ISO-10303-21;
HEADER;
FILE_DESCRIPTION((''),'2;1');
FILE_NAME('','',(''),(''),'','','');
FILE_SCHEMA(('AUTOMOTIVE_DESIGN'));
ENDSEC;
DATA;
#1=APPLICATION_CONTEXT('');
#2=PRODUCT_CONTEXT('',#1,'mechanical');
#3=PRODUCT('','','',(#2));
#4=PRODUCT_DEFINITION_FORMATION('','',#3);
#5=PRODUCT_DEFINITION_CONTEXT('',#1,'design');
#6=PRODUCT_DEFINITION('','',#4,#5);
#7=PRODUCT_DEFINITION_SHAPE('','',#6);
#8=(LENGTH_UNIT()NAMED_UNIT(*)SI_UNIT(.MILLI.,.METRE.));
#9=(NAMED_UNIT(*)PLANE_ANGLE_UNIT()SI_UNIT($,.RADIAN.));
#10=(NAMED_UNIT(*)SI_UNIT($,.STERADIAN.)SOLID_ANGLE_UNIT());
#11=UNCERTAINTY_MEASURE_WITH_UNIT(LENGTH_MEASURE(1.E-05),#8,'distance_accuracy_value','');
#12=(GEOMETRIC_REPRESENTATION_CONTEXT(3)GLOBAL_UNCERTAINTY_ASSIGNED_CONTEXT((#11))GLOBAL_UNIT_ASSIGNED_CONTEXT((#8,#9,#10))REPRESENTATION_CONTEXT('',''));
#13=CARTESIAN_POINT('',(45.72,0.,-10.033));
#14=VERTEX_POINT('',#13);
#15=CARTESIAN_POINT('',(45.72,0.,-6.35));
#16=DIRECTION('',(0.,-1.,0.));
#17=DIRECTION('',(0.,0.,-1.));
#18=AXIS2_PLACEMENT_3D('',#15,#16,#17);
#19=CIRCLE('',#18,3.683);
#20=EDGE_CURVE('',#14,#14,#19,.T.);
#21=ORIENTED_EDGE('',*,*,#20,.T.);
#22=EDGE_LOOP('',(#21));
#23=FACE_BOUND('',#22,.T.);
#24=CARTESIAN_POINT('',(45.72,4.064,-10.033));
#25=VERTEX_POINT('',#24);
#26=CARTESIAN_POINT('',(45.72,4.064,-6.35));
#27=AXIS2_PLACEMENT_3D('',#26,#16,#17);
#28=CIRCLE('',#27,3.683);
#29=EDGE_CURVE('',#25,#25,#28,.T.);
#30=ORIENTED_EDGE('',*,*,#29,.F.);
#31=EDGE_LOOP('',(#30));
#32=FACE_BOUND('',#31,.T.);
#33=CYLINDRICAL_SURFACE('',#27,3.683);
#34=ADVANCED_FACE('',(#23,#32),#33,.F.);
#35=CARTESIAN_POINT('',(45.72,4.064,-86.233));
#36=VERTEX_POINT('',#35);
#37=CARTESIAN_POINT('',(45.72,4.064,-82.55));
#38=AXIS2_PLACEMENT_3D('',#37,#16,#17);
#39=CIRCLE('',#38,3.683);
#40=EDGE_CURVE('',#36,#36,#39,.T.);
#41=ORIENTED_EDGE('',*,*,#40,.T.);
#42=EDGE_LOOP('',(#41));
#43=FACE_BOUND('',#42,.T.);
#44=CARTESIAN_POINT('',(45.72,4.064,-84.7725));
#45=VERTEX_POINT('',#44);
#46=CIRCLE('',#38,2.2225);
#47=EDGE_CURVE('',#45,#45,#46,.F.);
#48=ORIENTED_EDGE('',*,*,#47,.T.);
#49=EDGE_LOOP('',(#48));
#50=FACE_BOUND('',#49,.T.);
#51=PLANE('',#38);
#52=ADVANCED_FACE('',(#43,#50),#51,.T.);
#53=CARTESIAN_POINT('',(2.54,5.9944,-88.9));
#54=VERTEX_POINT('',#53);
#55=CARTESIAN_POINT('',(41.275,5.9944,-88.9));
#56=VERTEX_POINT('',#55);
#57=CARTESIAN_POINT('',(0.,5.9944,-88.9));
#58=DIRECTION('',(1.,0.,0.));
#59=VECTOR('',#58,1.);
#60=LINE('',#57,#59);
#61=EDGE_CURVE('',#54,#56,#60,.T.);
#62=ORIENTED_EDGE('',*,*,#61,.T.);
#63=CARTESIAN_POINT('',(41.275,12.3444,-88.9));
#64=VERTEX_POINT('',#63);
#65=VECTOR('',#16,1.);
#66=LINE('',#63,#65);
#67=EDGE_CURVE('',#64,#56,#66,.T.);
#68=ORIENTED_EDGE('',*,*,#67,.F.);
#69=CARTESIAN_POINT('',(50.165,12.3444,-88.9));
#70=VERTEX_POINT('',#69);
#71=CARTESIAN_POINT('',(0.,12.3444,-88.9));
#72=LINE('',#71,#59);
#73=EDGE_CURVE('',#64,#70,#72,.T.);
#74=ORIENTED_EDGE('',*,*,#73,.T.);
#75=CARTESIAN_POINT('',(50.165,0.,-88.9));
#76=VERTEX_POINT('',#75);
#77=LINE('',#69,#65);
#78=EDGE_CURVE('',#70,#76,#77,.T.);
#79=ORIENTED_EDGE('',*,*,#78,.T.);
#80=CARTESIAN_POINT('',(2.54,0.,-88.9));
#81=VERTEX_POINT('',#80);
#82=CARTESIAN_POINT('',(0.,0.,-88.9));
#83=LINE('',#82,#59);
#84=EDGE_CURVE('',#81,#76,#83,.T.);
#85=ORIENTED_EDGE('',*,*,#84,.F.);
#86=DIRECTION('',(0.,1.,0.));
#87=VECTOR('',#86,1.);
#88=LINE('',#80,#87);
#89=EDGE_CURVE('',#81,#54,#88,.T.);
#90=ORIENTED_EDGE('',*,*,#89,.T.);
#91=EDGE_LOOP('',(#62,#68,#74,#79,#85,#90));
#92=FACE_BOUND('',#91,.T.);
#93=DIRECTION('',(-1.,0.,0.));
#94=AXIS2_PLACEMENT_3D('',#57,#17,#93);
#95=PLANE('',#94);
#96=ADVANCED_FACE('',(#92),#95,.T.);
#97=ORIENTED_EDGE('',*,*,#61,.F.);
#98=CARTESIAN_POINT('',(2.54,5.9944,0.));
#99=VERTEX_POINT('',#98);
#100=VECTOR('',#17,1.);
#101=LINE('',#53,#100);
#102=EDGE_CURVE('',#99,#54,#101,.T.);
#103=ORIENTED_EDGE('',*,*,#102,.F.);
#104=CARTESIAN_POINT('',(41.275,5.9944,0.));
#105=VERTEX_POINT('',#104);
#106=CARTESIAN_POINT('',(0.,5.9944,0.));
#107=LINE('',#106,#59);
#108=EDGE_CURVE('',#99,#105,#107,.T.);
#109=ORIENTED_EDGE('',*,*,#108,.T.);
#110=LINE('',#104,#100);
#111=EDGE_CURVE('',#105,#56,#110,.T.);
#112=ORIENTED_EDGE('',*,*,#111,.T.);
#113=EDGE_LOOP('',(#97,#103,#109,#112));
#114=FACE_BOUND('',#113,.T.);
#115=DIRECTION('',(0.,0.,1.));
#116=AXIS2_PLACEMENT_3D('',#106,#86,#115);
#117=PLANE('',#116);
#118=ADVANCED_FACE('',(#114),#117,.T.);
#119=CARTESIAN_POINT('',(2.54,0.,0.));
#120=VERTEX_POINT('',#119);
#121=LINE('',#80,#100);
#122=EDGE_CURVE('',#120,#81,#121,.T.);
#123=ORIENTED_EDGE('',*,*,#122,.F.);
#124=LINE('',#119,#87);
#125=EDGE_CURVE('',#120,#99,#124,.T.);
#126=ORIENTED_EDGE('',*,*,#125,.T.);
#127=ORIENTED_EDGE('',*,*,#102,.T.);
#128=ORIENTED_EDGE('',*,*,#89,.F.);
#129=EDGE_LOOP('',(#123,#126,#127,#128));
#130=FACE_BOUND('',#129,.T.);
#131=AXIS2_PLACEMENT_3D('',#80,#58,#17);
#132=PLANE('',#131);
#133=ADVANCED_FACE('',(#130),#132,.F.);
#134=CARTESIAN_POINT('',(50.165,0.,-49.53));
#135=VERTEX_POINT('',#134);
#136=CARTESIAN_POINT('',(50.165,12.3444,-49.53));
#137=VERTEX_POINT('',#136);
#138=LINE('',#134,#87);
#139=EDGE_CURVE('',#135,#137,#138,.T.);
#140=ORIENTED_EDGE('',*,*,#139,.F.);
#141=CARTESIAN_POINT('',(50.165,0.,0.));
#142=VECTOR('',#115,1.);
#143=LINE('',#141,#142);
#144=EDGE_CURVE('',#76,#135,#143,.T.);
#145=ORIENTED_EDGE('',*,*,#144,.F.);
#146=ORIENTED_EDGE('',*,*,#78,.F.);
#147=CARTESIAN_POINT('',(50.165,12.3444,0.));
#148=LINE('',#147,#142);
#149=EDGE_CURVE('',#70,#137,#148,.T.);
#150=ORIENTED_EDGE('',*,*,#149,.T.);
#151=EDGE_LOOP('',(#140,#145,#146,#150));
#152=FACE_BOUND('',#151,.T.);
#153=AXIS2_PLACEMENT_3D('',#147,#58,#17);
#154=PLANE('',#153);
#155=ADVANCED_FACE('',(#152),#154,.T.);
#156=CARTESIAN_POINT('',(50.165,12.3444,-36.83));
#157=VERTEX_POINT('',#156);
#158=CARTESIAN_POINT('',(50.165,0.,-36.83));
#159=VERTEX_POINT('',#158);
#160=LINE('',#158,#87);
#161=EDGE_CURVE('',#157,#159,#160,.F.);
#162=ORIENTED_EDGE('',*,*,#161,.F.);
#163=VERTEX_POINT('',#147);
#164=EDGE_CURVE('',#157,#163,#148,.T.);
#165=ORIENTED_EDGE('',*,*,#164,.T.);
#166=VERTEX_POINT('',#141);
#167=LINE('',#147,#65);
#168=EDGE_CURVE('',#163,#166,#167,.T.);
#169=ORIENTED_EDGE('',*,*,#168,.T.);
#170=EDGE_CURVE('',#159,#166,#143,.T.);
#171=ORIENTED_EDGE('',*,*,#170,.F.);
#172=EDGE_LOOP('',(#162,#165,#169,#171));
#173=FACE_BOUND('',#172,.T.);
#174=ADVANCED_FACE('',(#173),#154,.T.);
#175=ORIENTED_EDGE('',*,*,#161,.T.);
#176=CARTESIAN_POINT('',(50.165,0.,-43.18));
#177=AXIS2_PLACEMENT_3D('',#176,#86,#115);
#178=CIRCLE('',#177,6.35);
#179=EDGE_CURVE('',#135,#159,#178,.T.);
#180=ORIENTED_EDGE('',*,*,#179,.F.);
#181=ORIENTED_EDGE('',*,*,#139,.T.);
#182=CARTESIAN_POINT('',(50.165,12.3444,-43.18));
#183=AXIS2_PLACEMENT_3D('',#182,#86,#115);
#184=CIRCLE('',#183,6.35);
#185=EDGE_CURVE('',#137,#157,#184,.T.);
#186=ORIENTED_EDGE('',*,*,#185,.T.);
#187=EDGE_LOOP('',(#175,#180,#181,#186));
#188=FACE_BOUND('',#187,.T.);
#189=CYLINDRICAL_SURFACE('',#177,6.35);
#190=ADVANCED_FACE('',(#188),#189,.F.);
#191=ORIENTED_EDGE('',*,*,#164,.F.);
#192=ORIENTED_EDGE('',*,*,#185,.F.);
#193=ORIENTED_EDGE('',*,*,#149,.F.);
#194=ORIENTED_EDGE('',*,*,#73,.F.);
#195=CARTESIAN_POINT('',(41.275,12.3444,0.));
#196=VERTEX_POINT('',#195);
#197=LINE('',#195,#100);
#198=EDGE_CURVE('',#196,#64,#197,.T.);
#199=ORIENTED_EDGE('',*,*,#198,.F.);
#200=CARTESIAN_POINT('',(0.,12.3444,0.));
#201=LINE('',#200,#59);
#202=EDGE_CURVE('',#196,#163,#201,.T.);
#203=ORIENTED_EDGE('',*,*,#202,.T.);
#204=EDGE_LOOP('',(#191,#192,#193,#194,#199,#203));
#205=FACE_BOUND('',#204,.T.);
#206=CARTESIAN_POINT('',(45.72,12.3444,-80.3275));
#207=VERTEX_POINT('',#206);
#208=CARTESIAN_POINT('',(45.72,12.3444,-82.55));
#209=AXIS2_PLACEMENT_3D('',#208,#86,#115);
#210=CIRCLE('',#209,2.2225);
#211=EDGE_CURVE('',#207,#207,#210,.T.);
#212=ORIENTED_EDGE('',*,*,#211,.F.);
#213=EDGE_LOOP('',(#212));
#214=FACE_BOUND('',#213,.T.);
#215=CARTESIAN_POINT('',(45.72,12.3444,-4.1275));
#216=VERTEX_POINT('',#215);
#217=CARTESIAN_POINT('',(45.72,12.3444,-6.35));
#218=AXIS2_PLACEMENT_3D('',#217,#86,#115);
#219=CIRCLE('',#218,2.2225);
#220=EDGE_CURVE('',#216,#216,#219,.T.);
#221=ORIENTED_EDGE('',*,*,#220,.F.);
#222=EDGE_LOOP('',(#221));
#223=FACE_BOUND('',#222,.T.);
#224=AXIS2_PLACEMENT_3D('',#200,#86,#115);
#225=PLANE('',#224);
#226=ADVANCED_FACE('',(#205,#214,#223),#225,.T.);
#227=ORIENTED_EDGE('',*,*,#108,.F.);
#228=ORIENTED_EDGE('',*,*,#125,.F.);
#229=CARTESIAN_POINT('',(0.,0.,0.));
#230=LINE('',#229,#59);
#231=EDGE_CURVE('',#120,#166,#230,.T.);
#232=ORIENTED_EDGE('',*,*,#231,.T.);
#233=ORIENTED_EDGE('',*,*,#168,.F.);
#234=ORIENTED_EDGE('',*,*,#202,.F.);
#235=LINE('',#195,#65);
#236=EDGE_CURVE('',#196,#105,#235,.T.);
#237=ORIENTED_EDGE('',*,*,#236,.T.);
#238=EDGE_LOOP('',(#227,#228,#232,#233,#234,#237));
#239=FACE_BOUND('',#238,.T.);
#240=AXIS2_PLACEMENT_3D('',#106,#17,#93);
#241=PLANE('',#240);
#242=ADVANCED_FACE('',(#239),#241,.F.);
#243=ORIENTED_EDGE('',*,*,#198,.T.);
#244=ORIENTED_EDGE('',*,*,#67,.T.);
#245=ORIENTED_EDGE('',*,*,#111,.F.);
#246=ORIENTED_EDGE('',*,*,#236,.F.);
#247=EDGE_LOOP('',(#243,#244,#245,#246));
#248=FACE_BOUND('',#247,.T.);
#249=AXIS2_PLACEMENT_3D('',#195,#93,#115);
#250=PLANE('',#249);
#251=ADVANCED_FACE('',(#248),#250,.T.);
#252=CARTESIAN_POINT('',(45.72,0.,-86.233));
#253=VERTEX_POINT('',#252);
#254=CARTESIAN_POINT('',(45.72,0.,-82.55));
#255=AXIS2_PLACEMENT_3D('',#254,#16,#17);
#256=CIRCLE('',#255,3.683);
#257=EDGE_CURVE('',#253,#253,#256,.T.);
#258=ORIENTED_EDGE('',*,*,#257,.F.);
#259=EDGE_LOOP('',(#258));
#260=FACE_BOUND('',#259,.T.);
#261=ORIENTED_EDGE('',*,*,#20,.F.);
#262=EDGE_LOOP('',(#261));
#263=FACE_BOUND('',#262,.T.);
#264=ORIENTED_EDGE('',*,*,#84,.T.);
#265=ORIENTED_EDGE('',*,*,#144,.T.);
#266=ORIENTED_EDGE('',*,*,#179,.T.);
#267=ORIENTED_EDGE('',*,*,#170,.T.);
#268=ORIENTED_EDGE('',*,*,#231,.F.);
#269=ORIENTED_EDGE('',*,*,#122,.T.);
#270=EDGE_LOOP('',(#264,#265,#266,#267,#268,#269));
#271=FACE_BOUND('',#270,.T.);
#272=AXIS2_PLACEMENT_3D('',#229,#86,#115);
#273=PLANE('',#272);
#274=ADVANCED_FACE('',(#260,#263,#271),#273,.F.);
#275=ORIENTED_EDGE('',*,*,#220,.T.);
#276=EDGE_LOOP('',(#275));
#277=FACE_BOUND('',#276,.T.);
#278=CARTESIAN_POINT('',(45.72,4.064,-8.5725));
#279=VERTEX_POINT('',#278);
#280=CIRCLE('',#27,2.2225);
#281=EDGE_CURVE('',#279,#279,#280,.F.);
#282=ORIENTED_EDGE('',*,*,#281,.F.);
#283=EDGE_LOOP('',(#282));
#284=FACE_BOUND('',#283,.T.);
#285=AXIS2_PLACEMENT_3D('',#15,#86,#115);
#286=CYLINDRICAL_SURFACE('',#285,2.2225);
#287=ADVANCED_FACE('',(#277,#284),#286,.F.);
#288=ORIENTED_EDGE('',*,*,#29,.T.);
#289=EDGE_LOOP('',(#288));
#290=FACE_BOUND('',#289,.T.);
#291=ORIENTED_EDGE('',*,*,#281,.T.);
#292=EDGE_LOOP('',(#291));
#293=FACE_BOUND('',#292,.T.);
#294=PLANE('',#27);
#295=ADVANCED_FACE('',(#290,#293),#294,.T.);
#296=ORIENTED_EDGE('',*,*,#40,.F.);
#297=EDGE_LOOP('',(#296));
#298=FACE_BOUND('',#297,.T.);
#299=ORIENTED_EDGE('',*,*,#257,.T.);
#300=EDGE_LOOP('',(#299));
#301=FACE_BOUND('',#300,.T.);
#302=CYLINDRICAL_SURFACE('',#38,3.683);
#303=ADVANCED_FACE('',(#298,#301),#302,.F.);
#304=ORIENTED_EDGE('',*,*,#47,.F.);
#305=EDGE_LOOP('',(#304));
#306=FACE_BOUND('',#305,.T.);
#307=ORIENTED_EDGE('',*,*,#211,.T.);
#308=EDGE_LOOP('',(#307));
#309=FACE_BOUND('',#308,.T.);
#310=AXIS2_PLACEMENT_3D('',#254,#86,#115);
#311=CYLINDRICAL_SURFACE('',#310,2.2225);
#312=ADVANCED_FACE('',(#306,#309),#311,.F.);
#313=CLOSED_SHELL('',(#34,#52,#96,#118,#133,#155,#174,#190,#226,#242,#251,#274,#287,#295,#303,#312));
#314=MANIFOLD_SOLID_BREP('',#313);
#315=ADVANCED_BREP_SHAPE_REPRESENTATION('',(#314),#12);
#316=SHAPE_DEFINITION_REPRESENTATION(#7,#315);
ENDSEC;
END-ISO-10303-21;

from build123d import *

# Parameters (mm, degrees)
SKETCH1_W               = 41.275
SKETCH1_H               = 88.9
BOSS_EXTRUDE1_DEPTH     = 5.9944
SKETCH1_5_W             = 8.89
SKETCH1_5_H             = 88.9
BOSS_EXTRUDE2_DEPTH     = 12.3444
SKETCH3_R               = 2.2225
CUT_EXTRUDE1_DEPTH      = 1
CUT_EXTRUDE1_DEPTH_BACK = 13.3444
SKETCH4_R               = 3.683
CUT_EXTRUDE2_DEPTH      = 4.064
SKETCH5_W               = 2.54
SKETCH5_H               = 88.9
CUT_EXTRUDE3_DEPTH      = 7.35
CUT_EXTRUDE3_DEPTH_BACK = 6.9944
SKETCH6_R               = 6.35
CUT_EXTRUDE4_DEPTH      = 1
CUT_EXTRUDE4_DEPTH_BACK = 13.3444


with BuildPart() as part:
    # Sketch1 → Boss-Extrude1 (new body)
    with BuildSketch(Plane(origin=(0, 0, 0), x_dir=(1, 0, 0), z_dir=(0, 1, 0))):
        with Locations((20.6375, 44.45)):
            Rectangle(SKETCH1_W, SKETCH1_H)
    extrude(amount=BOSS_EXTRUDE1_DEPTH)

    # Sketch1<5> → Boss-Extrude2 (add)
    with BuildSketch(Plane(origin=(0, 0, 0), x_dir=(1, 0, 0), z_dir=(0, 1, 0))):
        with Locations((45.72, 44.45)):
            Rectangle(SKETCH1_5_W, SKETCH1_5_H)
    extrude(amount=BOSS_EXTRUDE2_DEPTH)

    # Sketch3 → Cut-Extrude1 (cut, two sides)
    with BuildSketch(Plane(origin=(0, 12.3444, 0), x_dir=(1, 0, 0), z_dir=(0, 1, 0))) as cut_extrude1_sk:
        with Locations((45.72, 82.55)):
            Circle(SKETCH3_R)
        with Locations((45.72, 6.35)):
            Circle(SKETCH3_R)
    extrude(amount=CUT_EXTRUDE1_DEPTH, mode=Mode.SUBTRACT)
    extrude(cut_extrude1_sk.sketch, amount=-CUT_EXTRUDE1_DEPTH_BACK, mode=Mode.SUBTRACT)

    # Sketch4 → Cut-Extrude2 (cut)
    with BuildSketch(Plane.XZ):
        with Locations((45.72, -6.35)):
            Circle(SKETCH4_R)
        with Locations((45.72, -82.55)):
            Circle(SKETCH4_R)
    extrude(amount=-CUT_EXTRUDE2_DEPTH, mode=Mode.SUBTRACT)

    # Sketch5 → Cut-Extrude3 (cut, two sides)
    with BuildSketch(Plane(origin=(0, 5.9944, 0), x_dir=(1, 0, 0), z_dir=(0, 1, 0))) as cut_extrude3_sk:
        with Locations((1.27, 44.45)):
            Rectangle(SKETCH5_W, SKETCH5_H)
    extrude(amount=CUT_EXTRUDE3_DEPTH, mode=Mode.SUBTRACT)
    extrude(cut_extrude3_sk.sketch, amount=-CUT_EXTRUDE3_DEPTH_BACK, mode=Mode.SUBTRACT)

    # Sketch6 → Cut-Extrude4 (cut, two sides)
    with BuildSketch(Plane(origin=(0, 12.3444, 0), x_dir=(1, 0, 0), z_dir=(0, 1, 0))) as cut_extrude4_sk:
        with Locations((50.165, 43.18)):
            Circle(SKETCH6_R)
    extrude(amount=CUT_EXTRUDE4_DEPTH, mode=Mode.SUBTRACT)
    extrude(cut_extrude4_sk.sketch, amount=-CUT_EXTRUDE4_DEPTH_BACK, mode=Mode.SUBTRACT)


solid = part.part
